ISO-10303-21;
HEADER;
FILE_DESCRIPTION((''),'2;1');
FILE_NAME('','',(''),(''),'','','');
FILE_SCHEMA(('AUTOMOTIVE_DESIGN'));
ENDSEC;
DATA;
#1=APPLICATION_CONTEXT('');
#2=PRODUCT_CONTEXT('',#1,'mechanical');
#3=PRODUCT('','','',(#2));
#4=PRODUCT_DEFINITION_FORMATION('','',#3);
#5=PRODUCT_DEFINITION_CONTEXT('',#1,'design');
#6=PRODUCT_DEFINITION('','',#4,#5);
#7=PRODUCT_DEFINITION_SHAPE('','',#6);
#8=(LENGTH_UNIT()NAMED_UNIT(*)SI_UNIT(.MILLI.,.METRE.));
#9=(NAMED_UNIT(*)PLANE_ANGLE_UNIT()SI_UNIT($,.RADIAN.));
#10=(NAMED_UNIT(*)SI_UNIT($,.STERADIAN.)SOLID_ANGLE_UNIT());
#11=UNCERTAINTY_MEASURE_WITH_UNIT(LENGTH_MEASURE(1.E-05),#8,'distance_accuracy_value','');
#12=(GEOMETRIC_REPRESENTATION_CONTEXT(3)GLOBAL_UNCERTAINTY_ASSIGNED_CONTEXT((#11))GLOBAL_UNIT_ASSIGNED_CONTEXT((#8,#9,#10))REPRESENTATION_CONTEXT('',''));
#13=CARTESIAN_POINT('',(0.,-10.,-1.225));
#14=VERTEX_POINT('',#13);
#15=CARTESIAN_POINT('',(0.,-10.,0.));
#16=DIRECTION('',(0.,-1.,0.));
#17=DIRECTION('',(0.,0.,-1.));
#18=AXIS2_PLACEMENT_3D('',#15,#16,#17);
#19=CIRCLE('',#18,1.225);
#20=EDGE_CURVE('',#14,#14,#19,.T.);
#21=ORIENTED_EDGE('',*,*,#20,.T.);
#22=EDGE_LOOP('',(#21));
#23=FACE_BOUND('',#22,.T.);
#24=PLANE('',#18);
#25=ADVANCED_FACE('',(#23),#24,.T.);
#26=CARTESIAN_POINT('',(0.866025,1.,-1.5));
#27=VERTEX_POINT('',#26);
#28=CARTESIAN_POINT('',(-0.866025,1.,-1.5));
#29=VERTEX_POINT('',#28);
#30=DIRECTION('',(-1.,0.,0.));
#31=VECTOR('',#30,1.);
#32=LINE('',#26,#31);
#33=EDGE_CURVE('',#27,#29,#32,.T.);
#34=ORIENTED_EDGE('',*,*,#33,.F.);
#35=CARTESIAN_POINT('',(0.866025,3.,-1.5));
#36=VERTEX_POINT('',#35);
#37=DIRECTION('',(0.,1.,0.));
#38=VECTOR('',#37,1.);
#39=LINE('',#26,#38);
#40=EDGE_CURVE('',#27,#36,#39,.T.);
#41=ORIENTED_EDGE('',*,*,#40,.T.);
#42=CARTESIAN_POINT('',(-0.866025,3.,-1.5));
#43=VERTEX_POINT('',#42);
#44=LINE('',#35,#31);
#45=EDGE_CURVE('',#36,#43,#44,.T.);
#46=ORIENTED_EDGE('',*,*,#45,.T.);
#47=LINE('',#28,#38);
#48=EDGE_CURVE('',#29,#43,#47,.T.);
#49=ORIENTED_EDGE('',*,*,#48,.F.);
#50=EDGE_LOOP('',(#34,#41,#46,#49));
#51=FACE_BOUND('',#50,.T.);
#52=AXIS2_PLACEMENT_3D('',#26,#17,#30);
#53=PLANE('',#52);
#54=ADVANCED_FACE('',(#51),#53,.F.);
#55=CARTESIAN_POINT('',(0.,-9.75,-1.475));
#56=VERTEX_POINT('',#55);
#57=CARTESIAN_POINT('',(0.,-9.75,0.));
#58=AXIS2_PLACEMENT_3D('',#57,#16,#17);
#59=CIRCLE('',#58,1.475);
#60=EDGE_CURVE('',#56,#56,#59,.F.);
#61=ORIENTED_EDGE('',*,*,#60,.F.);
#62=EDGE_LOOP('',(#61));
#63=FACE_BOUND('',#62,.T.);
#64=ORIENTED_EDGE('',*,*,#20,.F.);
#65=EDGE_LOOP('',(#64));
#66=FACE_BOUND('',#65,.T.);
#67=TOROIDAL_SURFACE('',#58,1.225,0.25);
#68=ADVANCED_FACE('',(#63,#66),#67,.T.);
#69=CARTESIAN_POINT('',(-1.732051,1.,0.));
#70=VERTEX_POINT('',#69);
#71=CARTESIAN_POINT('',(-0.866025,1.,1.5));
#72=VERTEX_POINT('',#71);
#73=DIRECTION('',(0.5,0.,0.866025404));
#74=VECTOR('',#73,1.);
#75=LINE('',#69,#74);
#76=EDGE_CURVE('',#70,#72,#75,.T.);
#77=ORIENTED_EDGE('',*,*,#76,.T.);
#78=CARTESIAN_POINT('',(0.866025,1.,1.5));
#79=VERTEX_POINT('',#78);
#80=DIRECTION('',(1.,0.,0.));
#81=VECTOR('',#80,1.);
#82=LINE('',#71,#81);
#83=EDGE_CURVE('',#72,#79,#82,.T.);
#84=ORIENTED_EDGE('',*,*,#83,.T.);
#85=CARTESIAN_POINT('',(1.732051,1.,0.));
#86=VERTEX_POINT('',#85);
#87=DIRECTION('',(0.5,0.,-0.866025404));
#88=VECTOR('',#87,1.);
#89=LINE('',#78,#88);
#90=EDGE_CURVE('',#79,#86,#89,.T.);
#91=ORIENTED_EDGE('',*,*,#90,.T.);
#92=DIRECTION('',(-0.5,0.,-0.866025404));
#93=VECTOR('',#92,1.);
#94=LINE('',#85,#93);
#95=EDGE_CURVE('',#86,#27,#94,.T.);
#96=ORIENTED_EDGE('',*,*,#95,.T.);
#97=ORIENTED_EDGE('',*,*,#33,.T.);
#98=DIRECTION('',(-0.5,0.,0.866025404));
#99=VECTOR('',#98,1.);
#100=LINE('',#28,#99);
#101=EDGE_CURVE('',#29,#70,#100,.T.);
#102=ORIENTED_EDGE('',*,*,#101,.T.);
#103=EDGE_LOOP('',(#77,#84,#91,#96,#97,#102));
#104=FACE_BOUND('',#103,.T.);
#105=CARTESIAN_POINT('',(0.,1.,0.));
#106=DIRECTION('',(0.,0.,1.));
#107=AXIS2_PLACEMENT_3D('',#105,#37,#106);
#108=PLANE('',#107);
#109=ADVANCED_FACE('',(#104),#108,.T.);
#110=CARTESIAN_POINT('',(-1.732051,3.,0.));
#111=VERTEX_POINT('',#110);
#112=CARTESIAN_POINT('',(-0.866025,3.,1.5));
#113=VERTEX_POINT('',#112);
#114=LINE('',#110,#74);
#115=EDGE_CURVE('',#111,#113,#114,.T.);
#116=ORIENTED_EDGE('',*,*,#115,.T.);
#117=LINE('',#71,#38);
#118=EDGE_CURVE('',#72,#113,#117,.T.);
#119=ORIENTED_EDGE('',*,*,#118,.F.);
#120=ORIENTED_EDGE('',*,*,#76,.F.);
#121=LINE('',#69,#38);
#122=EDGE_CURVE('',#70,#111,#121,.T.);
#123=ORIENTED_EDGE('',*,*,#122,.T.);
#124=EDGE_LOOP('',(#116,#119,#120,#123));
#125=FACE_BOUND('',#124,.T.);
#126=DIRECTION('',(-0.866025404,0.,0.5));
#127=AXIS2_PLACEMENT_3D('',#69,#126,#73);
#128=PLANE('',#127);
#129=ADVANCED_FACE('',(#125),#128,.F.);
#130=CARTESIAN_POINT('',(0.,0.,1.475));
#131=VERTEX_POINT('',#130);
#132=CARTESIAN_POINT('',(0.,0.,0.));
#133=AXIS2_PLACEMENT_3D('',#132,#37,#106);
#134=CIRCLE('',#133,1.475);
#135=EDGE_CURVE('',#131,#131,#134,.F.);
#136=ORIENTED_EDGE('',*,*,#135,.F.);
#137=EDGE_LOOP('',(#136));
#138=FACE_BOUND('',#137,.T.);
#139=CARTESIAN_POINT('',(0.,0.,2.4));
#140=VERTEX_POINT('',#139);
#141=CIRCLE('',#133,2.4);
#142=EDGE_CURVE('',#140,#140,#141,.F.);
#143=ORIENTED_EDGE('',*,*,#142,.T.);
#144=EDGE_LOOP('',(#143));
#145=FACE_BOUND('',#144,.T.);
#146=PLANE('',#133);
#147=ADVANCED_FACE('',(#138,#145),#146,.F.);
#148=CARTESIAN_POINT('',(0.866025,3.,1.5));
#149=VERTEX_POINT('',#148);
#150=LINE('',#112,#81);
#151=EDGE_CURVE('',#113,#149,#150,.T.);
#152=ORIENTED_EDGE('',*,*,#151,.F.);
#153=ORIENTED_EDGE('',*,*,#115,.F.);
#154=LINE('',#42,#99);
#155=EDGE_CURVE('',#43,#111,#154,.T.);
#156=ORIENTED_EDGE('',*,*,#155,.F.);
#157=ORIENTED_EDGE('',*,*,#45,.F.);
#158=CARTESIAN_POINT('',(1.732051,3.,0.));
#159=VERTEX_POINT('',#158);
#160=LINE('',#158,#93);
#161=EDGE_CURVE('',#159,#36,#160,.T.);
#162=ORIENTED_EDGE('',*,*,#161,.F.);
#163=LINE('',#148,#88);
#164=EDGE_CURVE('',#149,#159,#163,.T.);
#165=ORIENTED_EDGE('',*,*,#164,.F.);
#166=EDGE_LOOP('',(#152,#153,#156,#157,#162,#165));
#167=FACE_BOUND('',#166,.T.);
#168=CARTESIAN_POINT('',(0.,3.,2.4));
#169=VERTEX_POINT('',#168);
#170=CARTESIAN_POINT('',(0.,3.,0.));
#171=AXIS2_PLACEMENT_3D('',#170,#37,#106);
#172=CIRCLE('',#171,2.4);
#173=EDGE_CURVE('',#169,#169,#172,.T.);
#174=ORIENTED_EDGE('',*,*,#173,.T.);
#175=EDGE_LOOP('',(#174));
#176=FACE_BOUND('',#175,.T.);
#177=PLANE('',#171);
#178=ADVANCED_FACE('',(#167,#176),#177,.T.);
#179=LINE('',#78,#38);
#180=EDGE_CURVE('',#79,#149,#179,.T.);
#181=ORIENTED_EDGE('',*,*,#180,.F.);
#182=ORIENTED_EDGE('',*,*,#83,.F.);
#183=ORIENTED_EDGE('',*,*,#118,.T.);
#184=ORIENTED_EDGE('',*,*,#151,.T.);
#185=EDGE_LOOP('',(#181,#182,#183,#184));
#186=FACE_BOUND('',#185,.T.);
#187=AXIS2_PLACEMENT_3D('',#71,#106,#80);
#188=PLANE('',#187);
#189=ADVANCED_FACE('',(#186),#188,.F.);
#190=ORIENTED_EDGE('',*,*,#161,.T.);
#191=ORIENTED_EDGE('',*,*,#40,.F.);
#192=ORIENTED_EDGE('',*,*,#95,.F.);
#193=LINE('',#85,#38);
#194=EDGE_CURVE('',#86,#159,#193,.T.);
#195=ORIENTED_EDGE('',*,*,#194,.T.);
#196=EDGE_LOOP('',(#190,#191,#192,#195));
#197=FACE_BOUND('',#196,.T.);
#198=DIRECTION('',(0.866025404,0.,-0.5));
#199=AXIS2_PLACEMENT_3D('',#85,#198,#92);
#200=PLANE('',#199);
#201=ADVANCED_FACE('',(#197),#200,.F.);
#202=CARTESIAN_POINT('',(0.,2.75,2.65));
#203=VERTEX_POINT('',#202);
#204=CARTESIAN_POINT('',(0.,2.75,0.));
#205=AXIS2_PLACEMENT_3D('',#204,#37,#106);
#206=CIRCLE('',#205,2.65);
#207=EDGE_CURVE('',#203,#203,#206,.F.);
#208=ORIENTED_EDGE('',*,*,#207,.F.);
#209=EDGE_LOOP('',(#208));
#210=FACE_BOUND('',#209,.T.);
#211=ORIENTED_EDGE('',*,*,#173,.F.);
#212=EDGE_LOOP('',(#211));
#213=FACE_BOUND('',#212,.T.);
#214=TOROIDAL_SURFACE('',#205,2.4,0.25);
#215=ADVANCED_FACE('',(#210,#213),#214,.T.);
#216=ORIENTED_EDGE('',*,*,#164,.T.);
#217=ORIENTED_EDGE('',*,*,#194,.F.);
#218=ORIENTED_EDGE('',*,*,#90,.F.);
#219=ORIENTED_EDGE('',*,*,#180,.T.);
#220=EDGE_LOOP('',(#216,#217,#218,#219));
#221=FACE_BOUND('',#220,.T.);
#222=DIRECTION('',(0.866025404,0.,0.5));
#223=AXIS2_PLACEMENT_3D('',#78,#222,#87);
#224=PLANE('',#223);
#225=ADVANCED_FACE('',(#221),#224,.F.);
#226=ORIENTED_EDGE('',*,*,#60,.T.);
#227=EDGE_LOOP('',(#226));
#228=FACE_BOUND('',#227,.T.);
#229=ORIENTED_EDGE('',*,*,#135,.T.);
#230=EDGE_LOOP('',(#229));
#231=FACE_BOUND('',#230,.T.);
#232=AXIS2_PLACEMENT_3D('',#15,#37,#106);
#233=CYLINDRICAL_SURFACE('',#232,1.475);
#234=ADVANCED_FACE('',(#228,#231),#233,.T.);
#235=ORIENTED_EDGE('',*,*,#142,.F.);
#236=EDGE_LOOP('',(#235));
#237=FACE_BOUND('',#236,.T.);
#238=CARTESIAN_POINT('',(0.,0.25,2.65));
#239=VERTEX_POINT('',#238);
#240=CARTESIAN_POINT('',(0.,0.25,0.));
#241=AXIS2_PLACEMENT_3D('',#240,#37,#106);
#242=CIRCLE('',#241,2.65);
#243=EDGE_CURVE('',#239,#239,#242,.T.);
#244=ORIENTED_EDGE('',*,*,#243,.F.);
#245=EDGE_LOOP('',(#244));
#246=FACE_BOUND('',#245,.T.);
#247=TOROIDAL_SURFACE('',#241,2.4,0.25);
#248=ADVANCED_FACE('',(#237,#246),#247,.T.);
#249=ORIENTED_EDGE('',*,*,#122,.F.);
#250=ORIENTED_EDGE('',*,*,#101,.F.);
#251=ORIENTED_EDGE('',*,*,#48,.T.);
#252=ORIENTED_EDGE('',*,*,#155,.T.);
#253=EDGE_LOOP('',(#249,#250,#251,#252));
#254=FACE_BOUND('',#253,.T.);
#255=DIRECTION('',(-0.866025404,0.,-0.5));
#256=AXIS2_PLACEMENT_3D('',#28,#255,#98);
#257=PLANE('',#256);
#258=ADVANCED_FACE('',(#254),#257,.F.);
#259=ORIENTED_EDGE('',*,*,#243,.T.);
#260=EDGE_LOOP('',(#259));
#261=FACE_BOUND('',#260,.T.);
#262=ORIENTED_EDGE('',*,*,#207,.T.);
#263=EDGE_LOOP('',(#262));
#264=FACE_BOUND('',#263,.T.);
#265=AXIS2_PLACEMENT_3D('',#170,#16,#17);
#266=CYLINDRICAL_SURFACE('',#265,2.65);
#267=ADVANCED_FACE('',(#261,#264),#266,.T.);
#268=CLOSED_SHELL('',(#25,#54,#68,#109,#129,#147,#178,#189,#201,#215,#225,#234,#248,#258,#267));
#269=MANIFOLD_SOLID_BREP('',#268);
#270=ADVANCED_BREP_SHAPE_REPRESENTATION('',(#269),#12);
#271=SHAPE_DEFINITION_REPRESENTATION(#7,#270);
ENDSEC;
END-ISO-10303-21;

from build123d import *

# Parameters (mm, degrees)
SKETCH1_R           = 2.65
BOSS_EXTRUDE1_DEPTH = 3
SKETCH2_R           = 1.475
BOSS_EXTRUDE2_DEPTH = 10
FILLET1_R           = 0.25
CUT_EXTRUDE1_DEPTH  = 2


with BuildPart() as part:
    # Sketch1 → Boss-Extrude1 (new body)
    with BuildSketch(Plane(origin=(0, 0, 0), x_dir=(1, 0, 0), z_dir=(0, 1, 0))):
        with Locations(Location((0, 0, 0), (0, 0, 270))):
            Circle(SKETCH1_R)
    extrude(amount=BOSS_EXTRUDE1_DEPTH)

    # Sketch2 → Boss-Extrude2 (add)
    with BuildSketch(Plane.XZ):
        with Locations(Location((0, 0, 0), (0, 0, 90))):
            Circle(SKETCH2_R)
    extrude(amount=BOSS_EXTRUDE2_DEPTH)

    # Fillet1
    fillet1_edges = [part.edges().sort_by_distance(p)[0] for p in [
        (0, 0, -2.65),
        (0, 3, -2.65),
        (0, -10, -1.475),
    ]]
    fillet(fillet1_edges, radius=FILLET1_R)

    # Sketch3 → Cut-Extrude1 (cut)
    with BuildSketch(Plane(origin=(0, 3, 0), x_dir=(1, 0, 0), z_dir=(0, 1, 0))):
        Polygon((1.732050808, 0), (0.866025404, 1.5), (-0.866025404, 1.5), (-1.732050808, 0), (-0.866025404, -1.5), (0.866025404, -1.5), align=None)
    extrude(amount=-CUT_EXTRUDE1_DEPTH, mode=Mode.SUBTRACT)


solid = part.part
